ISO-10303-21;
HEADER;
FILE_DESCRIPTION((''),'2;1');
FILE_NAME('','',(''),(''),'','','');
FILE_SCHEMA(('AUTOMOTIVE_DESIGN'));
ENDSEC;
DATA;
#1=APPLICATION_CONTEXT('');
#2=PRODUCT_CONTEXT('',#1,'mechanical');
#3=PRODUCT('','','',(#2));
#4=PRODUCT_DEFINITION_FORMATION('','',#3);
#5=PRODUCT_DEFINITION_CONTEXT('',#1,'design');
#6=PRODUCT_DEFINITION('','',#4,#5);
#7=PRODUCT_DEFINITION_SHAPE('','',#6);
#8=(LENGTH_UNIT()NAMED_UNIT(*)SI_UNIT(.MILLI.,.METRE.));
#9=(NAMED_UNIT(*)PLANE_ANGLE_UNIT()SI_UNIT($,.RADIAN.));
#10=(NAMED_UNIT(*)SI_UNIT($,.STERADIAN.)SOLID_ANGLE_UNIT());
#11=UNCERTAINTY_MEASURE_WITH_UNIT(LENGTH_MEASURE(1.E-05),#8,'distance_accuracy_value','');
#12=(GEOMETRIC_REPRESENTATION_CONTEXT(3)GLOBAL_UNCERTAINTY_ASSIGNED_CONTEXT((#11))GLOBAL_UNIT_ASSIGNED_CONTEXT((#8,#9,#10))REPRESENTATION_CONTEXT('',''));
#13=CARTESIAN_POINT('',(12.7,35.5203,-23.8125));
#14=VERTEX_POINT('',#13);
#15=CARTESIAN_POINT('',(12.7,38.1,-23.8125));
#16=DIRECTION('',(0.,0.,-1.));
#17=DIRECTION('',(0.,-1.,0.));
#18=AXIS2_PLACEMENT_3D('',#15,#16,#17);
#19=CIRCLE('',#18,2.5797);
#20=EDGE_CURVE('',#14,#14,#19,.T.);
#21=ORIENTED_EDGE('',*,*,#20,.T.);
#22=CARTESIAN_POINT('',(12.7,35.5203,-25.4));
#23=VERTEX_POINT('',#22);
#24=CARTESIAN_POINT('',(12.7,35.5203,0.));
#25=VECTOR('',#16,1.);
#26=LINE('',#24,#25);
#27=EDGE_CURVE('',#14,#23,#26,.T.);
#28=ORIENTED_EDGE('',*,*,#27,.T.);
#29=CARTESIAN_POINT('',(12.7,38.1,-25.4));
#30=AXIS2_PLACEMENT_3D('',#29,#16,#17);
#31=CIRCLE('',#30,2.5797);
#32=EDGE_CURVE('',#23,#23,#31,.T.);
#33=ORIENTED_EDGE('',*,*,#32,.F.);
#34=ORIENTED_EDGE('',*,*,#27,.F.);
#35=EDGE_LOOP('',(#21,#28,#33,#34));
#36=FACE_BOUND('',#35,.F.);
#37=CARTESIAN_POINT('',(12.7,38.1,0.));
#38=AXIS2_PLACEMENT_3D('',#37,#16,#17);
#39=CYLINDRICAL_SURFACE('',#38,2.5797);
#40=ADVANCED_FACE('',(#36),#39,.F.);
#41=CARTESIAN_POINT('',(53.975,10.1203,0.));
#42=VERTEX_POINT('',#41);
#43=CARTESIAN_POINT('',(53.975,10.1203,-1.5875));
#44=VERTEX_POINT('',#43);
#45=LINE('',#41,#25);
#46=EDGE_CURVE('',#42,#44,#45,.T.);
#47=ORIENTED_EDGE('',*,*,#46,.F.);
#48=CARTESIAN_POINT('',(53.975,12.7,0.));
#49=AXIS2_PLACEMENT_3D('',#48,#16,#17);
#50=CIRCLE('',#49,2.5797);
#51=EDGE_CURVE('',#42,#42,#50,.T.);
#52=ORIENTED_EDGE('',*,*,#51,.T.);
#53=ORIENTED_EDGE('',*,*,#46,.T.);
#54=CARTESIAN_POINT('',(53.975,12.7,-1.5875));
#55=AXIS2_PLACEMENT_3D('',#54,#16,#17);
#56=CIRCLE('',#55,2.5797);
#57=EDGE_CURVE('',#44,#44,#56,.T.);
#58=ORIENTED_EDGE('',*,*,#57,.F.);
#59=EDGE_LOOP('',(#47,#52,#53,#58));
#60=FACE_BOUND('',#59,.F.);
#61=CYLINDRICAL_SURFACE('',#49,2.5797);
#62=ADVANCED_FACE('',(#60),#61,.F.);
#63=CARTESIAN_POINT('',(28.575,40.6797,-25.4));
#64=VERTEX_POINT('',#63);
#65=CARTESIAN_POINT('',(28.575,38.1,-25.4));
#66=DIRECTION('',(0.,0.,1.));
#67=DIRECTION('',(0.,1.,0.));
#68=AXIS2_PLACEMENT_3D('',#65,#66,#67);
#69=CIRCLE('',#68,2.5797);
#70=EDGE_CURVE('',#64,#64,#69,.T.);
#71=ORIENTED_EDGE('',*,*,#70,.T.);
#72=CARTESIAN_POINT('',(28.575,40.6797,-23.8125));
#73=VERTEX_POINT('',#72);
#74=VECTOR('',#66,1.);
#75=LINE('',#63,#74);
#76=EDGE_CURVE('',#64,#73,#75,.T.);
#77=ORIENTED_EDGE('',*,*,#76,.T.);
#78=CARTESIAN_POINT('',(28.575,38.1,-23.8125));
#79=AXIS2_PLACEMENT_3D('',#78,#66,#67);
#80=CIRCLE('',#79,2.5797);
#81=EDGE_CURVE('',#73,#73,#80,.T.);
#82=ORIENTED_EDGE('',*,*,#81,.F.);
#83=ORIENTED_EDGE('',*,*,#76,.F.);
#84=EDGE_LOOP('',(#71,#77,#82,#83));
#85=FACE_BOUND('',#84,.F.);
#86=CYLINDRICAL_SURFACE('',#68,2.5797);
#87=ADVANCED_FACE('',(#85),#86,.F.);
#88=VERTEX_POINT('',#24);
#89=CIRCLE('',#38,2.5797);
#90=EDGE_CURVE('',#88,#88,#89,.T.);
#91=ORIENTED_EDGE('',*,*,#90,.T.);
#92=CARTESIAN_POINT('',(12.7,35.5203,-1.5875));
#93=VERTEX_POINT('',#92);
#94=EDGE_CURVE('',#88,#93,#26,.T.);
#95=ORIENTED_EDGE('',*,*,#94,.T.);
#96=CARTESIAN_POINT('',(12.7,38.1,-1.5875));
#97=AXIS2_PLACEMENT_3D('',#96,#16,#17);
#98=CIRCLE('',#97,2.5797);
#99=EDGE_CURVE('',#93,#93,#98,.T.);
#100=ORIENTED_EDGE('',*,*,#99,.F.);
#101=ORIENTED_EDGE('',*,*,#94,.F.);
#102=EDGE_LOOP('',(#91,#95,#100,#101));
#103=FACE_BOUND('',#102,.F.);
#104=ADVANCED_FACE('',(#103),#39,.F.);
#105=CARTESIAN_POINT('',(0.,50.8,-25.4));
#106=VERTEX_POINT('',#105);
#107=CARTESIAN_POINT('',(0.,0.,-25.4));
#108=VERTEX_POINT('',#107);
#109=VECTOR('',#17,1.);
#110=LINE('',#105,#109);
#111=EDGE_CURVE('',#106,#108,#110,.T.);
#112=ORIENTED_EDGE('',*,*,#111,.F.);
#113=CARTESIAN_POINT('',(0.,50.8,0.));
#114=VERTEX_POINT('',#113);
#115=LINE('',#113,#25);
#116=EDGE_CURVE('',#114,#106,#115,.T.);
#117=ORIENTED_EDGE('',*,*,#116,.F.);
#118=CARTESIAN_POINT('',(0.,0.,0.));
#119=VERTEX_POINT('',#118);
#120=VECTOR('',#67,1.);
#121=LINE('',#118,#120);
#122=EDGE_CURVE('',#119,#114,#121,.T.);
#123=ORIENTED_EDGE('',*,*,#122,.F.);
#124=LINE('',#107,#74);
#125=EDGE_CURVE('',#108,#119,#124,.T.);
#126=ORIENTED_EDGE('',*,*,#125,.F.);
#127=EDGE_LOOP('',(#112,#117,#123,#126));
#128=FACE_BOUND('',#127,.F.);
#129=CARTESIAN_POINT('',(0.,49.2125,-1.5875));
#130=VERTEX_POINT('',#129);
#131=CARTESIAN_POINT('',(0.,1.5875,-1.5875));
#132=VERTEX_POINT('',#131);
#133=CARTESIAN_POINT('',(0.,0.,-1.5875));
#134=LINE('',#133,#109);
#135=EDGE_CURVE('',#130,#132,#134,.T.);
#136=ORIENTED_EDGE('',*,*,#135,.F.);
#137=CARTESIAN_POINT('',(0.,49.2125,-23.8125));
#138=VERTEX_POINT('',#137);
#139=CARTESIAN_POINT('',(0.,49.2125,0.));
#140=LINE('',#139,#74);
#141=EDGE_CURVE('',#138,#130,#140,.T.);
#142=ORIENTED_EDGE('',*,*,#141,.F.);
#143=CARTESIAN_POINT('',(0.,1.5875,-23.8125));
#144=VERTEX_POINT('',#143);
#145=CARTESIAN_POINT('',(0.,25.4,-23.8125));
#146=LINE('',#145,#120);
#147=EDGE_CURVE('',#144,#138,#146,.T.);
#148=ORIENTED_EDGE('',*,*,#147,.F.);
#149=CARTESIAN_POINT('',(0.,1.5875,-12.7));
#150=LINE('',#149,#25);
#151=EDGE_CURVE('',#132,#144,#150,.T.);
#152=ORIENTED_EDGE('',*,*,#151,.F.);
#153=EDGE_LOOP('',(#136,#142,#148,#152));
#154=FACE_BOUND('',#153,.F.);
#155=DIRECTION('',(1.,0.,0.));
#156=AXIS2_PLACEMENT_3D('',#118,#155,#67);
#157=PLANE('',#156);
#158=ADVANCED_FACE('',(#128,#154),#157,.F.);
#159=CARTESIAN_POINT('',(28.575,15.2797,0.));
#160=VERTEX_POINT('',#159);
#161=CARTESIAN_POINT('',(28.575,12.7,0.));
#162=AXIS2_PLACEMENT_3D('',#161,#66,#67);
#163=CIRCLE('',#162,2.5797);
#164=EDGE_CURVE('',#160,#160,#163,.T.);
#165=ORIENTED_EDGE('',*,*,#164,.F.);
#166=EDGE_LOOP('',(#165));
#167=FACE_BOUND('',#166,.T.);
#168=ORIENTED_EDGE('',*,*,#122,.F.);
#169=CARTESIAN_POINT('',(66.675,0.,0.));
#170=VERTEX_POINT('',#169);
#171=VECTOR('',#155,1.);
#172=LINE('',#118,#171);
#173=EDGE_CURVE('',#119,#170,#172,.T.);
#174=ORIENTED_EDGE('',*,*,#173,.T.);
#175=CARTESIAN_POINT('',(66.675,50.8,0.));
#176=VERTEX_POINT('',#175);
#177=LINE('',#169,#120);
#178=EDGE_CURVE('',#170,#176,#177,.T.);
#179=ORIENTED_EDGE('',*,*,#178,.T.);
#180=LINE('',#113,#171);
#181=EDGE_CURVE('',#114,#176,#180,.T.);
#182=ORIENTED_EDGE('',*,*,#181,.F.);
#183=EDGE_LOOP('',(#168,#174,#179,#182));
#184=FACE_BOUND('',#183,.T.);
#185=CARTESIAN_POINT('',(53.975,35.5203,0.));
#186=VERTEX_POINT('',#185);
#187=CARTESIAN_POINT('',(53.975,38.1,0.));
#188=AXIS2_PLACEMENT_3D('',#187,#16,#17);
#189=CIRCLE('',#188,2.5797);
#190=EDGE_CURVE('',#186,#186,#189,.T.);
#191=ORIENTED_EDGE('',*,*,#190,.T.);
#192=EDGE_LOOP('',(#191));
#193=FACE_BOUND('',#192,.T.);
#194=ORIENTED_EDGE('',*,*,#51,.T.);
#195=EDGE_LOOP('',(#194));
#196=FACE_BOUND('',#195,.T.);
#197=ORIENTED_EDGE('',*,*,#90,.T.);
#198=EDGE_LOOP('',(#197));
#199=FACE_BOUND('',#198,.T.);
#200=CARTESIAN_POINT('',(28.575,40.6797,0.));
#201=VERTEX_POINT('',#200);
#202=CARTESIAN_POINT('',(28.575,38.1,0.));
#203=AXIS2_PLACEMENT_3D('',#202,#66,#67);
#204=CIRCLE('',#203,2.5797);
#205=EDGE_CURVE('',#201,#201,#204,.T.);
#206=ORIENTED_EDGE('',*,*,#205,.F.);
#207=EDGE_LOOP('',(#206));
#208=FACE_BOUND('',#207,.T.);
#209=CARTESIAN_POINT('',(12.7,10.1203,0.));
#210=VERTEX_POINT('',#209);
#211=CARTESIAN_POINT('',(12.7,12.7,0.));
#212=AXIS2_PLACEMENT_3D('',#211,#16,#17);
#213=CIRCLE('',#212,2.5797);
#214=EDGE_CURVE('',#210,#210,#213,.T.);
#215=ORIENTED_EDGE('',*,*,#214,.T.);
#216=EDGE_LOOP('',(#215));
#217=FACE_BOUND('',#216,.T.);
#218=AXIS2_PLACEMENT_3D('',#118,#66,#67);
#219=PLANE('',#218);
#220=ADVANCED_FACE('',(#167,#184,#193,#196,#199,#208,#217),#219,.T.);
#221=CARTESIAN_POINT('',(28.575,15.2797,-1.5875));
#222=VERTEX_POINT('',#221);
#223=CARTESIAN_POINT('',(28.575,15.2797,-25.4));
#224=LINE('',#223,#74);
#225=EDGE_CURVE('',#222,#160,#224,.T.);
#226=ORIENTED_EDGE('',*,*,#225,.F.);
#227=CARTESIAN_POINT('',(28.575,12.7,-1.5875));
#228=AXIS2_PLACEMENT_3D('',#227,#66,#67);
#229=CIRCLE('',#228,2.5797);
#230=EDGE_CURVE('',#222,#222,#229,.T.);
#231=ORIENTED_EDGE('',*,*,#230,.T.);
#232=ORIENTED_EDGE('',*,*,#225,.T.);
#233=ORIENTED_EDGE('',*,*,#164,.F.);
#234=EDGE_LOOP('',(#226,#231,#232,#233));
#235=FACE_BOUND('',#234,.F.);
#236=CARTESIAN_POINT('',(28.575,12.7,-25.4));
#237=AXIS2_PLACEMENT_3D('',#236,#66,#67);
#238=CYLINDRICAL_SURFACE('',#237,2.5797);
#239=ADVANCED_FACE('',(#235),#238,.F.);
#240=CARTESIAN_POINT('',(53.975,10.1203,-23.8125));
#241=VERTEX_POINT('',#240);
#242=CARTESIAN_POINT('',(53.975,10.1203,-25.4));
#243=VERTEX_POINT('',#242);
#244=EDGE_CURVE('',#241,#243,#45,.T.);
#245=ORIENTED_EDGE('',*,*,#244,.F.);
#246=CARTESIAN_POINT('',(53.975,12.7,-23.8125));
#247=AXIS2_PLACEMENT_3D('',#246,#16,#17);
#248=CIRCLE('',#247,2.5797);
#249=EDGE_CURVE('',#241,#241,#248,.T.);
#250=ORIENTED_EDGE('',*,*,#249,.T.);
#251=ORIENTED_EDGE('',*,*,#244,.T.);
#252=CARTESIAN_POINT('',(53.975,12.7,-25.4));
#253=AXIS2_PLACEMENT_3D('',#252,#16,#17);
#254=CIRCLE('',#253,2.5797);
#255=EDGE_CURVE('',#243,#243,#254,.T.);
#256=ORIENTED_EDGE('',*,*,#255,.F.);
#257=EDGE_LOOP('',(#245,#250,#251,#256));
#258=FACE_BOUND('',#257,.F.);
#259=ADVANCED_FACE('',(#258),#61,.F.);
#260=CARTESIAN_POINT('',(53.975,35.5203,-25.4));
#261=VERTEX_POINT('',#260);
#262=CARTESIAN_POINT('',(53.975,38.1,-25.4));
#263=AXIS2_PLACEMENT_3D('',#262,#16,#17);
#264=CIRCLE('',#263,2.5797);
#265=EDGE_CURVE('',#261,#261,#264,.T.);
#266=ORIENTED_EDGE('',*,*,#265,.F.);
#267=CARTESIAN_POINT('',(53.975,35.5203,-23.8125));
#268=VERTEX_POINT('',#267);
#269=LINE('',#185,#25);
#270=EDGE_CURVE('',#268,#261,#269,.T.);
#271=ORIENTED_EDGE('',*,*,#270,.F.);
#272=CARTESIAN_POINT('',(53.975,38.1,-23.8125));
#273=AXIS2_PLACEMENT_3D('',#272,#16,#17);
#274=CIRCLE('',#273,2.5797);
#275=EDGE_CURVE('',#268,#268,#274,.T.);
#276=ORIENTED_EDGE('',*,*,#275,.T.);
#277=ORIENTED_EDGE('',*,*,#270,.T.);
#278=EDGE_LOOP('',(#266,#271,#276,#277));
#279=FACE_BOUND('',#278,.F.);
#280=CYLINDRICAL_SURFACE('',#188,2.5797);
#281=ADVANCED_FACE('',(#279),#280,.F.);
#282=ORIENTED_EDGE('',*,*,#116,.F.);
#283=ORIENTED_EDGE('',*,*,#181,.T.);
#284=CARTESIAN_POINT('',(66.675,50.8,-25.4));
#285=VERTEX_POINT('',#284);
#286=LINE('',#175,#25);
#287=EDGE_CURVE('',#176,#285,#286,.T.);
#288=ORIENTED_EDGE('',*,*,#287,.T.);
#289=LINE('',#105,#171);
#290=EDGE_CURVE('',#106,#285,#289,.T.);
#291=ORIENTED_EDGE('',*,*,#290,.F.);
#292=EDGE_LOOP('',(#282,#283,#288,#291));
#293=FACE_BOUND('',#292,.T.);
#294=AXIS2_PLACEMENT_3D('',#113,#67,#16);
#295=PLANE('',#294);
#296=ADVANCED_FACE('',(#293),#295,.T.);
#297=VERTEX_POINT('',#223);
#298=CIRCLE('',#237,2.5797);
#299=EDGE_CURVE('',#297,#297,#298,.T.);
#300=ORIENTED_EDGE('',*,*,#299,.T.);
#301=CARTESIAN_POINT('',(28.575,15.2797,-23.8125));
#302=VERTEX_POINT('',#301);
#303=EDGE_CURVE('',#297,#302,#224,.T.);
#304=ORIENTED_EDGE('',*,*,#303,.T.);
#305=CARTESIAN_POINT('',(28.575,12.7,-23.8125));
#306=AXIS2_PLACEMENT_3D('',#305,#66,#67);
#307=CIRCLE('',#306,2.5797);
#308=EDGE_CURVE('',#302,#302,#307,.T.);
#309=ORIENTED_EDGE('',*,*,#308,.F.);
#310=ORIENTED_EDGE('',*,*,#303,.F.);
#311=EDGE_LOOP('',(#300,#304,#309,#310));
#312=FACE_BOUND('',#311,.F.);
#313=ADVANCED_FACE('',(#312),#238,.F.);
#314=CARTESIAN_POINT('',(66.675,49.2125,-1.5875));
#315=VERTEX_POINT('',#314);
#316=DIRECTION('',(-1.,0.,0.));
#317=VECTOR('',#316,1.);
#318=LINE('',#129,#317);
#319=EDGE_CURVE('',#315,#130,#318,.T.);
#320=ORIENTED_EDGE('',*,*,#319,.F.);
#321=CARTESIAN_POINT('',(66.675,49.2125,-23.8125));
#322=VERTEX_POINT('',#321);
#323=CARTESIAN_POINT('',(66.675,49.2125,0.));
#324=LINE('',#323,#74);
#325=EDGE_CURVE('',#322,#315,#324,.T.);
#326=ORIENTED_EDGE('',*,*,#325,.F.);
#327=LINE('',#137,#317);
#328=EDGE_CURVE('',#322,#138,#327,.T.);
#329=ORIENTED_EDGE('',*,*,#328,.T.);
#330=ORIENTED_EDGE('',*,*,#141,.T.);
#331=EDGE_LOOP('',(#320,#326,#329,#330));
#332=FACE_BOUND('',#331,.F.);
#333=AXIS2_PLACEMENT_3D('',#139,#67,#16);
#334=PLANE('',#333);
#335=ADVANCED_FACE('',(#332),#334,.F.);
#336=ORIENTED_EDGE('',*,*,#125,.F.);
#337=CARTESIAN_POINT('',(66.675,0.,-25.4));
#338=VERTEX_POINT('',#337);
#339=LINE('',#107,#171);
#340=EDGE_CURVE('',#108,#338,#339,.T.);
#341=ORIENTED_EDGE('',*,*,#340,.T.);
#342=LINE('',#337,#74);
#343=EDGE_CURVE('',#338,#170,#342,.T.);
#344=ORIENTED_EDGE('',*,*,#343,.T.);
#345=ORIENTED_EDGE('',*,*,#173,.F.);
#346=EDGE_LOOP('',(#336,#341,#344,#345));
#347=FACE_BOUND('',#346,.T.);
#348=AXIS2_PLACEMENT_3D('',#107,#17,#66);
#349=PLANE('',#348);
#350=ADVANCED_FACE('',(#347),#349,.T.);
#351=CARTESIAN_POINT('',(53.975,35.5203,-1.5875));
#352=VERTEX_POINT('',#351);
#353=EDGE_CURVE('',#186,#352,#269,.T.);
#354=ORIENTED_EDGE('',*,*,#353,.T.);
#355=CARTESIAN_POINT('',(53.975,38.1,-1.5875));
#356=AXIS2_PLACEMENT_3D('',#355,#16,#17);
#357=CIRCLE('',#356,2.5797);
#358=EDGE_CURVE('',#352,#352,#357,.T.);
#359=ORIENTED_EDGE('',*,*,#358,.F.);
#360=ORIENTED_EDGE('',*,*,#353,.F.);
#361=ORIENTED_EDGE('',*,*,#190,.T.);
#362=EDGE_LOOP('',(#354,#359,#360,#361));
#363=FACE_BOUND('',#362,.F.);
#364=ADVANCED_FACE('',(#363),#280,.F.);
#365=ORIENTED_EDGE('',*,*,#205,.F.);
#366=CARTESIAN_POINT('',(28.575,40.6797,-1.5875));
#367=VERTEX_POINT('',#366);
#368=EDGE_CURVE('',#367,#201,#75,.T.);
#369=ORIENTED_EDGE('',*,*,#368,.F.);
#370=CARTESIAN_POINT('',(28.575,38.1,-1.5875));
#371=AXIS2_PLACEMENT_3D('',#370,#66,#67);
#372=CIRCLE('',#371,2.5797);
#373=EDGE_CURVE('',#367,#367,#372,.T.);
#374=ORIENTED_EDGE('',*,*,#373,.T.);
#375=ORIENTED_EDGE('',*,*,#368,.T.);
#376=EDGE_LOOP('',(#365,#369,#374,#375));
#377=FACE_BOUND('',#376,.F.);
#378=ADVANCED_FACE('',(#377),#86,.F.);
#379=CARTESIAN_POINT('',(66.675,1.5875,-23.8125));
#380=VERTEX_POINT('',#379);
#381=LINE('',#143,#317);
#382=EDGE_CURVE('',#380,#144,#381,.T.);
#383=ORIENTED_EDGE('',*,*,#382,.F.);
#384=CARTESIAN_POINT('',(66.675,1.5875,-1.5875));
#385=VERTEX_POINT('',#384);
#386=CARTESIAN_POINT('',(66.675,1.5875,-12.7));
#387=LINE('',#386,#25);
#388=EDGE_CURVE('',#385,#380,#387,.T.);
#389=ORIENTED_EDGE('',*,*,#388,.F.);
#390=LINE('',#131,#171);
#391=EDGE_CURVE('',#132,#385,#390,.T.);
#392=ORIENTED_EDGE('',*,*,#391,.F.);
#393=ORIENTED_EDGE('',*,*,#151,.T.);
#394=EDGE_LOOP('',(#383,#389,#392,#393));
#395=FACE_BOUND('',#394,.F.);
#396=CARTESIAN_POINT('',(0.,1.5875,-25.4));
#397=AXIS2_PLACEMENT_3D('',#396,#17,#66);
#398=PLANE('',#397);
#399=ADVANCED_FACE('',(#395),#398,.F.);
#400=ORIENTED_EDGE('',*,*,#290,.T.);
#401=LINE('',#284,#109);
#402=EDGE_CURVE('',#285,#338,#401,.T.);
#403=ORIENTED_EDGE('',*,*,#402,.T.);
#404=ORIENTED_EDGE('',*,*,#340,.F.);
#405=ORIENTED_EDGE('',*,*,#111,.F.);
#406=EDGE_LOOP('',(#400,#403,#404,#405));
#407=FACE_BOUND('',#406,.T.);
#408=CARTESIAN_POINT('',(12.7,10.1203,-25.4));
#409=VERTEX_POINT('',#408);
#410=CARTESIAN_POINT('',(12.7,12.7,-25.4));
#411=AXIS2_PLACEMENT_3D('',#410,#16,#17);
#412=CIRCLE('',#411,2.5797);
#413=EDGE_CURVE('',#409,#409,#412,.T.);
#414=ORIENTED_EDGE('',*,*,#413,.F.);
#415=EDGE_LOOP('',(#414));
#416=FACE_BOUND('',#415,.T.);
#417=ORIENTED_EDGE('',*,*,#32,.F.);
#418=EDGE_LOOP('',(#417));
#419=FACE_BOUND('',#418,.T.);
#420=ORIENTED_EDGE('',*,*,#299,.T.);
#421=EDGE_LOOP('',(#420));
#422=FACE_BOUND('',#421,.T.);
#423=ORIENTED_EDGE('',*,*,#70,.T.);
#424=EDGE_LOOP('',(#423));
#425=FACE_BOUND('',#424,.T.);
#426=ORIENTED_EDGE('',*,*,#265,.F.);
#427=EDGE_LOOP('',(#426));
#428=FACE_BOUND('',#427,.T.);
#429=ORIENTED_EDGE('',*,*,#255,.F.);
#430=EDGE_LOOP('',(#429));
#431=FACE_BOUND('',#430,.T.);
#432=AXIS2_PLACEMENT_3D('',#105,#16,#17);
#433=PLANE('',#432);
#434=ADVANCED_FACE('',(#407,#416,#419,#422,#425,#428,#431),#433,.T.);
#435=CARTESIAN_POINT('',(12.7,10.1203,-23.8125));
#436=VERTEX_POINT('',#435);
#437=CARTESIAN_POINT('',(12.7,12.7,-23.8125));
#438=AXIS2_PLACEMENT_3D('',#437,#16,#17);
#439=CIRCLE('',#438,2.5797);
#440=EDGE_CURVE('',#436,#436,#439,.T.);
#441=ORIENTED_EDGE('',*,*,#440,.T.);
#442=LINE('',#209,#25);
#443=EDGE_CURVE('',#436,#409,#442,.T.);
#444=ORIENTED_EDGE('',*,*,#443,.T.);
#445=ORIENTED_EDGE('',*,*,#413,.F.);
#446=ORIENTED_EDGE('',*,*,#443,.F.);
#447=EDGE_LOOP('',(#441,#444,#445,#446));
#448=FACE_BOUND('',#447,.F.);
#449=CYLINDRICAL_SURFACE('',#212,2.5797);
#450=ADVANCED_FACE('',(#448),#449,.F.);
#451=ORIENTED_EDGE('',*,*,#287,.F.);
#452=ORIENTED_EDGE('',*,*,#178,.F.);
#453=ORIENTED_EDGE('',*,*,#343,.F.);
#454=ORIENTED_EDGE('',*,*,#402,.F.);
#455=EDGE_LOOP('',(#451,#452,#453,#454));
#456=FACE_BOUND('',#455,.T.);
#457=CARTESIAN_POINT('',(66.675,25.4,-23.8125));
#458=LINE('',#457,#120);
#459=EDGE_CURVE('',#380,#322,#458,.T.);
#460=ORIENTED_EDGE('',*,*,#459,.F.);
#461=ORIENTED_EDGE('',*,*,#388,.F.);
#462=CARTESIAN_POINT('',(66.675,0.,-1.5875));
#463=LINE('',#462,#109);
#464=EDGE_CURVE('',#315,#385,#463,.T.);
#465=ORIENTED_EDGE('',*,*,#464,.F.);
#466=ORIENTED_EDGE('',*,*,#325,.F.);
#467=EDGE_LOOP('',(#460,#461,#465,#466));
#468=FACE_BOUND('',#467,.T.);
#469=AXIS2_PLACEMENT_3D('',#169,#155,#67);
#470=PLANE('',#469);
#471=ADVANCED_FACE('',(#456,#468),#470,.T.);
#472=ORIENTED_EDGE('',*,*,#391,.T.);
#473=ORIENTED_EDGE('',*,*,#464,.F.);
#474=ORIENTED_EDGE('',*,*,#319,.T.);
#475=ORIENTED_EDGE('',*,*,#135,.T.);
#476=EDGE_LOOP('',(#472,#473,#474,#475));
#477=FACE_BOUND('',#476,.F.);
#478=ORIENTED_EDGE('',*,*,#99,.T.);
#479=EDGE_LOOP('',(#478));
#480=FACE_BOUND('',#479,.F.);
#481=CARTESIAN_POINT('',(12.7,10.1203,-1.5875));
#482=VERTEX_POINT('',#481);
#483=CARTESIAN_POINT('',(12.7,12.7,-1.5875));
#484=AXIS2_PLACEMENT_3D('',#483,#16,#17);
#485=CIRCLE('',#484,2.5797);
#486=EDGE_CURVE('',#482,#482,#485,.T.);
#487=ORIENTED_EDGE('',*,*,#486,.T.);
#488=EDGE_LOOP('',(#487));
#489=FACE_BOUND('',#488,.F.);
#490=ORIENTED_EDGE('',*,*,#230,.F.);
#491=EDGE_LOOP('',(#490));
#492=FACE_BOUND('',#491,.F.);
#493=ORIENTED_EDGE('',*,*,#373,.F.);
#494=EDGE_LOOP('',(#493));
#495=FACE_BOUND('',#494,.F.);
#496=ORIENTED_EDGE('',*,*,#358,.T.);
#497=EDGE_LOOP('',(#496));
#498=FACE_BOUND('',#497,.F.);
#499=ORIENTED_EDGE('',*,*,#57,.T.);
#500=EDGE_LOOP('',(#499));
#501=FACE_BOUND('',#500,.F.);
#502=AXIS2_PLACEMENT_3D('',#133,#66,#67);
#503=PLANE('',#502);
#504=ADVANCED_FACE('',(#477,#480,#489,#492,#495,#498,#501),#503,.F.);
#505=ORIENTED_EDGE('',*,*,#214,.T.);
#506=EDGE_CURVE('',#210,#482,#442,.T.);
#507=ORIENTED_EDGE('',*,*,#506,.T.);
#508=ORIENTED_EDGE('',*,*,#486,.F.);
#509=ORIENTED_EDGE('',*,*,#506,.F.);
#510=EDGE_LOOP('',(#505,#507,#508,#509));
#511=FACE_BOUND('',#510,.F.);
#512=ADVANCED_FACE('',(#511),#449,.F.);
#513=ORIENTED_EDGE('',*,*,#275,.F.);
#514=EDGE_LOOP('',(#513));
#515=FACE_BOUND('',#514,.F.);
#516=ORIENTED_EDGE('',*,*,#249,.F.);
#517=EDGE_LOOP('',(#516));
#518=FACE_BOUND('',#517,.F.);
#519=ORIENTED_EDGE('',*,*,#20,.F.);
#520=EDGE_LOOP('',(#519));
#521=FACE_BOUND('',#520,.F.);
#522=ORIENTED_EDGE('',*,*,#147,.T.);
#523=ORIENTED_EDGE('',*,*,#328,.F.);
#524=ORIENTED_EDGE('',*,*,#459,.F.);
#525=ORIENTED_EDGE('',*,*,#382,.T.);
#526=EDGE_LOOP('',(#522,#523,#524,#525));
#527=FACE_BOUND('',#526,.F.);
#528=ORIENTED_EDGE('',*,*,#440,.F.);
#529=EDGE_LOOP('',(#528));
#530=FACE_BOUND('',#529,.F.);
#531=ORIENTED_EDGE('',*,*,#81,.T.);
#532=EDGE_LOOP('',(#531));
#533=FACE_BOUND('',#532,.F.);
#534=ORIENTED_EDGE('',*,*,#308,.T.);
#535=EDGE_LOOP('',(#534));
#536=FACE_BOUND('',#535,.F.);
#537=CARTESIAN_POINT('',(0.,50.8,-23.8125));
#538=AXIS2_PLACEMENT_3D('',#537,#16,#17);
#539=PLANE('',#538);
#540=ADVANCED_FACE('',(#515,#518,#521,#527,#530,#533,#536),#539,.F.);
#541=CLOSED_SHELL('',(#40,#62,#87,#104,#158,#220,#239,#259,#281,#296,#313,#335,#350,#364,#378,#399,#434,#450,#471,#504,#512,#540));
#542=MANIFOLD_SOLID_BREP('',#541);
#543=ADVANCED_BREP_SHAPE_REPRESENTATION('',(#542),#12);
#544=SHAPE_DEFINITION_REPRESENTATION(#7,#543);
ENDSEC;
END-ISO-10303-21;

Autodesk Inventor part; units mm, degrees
ref_plane "YZ Plane" through (0, 0, 0) normal (1, 0, 0) x (0, 1, 0)
ref_plane "XZ Plane" through (0, 0, 0) normal (0, 1, 0) x (-1, 0, 0)
ref_plane "XY Plane" through (0, 0, 0) normal (0, 0, 1) x (1, 0, 0)
sketch "Sketch1" plane through (0, 0, 0) normal (1, 0, 0) x (0, 1, 0)
  line L0 (0, 0) -> (50.8, 0)
  line L1 (50.8, 0) -> (50.8, -25.4)
  line L2 (50.8, -25.4) -> (0, -25.4)
  line L3 (0, -25.4) -> (0, 0)
  dimension "d0" = 50.8
  dimension "d1" = 25.4
extrude "Extrusion1" add sketch "Sketch1" along normal blind 66.675
shell "Shell1" thickness 1.5875 removed faces 2 at (0, 16.9333, -16.9333) at (66.675, 16.9333, -16.9333)
hole "Hole1" at (53.975, 12.7, 0) direction (0, 0, -1) diameter 5.1594 end through all
hole "Hole2" at (53.975, 38.1, 0) direction (0, 0, -1) diameter 5.1594 end through all
hole "Hole3" at (12.7, 38.1, 0) direction (0, 0, -1) diameter 5.1594 end through all
hole "Hole4" at (12.7, 12.7, 0) direction (0, 0, -1) diameter 5.1594 end through all
hole "Hole5" at (28.575, 38.1, -25.4) direction (0, 0, 1) diameter 5.1594 end through all
hole "Hole6" at (28.575, 12.7, -25.4) direction (0, 0, 1) diameter 5.1594 end through all
properties part number "1x2 2 625 in Beam Flywheel Mount"
